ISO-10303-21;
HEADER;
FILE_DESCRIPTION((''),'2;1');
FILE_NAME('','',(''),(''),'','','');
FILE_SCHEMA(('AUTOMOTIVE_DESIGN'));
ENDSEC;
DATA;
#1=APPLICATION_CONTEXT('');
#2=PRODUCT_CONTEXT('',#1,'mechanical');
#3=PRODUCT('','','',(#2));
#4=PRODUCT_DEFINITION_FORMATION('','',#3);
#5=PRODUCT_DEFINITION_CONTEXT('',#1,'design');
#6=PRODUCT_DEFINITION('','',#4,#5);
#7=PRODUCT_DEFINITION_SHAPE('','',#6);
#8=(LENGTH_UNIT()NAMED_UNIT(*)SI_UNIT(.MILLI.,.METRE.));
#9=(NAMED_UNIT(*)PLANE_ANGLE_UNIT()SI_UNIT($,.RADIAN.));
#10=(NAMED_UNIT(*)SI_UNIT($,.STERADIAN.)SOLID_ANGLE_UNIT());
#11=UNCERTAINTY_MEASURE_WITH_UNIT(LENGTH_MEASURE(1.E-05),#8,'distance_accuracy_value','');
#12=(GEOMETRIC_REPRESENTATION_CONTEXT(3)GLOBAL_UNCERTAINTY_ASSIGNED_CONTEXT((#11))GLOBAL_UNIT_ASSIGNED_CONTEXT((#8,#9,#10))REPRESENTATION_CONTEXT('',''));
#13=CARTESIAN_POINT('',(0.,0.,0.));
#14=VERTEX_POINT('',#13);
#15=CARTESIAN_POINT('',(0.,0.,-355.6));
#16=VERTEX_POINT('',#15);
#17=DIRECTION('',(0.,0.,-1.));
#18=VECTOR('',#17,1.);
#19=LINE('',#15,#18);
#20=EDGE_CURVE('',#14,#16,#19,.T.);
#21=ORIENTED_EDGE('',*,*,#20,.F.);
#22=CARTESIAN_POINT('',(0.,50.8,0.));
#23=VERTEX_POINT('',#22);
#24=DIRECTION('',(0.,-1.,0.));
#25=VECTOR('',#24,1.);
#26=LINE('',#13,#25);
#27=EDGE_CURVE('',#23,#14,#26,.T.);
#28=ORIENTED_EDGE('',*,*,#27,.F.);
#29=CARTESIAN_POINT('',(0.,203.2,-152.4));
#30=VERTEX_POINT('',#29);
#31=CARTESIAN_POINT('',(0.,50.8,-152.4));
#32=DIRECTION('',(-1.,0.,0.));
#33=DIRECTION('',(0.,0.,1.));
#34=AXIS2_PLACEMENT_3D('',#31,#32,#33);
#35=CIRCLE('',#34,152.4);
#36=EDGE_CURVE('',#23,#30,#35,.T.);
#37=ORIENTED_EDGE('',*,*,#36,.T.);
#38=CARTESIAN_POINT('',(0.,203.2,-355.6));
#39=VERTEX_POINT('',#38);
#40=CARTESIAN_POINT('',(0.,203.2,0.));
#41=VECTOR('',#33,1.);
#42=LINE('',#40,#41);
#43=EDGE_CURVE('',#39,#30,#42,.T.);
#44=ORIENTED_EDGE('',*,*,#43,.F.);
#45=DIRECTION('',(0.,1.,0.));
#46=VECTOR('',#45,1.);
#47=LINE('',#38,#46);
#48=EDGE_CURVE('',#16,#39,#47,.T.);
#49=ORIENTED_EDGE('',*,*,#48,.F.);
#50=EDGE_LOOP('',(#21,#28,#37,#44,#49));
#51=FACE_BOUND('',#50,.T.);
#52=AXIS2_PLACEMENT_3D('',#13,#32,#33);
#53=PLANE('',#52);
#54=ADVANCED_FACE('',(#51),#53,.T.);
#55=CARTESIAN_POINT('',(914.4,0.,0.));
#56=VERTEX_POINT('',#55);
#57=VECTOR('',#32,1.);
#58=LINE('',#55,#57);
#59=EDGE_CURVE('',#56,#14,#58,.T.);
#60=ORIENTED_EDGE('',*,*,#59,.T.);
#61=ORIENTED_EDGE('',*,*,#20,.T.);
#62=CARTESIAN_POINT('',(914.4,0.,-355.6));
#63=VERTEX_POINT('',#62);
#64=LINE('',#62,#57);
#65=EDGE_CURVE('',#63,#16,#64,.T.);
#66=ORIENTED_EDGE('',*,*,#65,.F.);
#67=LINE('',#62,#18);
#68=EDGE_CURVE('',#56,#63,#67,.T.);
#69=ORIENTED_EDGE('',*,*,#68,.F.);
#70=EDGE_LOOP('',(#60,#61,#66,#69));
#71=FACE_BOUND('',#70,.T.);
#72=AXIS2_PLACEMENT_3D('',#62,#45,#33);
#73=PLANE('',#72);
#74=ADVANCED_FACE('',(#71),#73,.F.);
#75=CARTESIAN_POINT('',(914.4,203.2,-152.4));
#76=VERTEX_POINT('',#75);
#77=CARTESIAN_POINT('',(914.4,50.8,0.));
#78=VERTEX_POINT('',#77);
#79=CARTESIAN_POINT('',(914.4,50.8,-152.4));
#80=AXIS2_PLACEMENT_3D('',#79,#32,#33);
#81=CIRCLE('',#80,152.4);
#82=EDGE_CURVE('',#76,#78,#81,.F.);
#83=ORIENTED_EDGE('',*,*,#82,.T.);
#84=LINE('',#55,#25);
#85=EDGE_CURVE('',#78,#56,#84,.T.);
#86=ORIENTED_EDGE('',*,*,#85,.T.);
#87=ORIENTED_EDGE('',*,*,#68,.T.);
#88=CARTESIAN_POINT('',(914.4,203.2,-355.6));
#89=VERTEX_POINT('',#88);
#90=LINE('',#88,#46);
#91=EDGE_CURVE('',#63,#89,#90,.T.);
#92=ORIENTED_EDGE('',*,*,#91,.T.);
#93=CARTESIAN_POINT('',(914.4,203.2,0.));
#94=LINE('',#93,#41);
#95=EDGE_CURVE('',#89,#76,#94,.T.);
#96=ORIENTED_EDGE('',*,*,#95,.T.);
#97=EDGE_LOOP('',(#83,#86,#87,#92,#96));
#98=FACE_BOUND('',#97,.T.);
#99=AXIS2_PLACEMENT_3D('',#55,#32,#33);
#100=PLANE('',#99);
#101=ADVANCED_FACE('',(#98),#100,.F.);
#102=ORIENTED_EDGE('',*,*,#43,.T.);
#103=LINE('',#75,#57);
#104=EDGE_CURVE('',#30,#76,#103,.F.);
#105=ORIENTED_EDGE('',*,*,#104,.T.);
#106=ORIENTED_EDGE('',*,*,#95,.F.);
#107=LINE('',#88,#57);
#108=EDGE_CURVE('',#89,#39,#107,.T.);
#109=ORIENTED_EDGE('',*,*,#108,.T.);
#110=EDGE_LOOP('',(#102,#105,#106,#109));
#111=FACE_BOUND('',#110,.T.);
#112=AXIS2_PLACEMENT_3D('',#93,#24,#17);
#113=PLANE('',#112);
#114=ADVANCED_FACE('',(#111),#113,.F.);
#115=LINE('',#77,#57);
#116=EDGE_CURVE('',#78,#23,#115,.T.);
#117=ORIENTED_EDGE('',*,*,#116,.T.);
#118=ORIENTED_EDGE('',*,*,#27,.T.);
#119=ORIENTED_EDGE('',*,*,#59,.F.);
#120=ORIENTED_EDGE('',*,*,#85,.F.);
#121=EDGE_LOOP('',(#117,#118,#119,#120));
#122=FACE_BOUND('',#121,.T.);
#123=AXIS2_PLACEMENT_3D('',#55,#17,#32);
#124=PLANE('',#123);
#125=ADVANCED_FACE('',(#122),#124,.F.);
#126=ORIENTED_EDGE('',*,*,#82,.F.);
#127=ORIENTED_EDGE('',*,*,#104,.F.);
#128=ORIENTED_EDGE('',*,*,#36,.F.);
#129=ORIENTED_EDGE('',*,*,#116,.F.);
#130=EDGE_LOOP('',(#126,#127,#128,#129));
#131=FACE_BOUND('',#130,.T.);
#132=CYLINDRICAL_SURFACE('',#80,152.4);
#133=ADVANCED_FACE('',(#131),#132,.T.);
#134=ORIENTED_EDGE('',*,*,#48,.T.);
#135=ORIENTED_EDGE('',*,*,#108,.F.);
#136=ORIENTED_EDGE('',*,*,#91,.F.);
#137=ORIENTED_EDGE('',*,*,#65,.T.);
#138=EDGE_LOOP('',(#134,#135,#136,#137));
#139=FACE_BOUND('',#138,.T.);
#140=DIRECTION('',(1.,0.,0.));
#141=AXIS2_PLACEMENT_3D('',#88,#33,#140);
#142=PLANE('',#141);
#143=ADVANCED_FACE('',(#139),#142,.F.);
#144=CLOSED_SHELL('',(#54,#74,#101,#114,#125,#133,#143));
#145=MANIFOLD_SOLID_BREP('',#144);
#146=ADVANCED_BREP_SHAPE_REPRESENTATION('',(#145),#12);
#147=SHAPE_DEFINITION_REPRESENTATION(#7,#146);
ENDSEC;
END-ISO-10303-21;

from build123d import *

# Parameters (mm, degrees)
SKETCH1_W           = 355.6
SKETCH1_H           = 203.2
BOSS_EXTRUDE1_DEPTH = 914.4
FILLET1_R           = 152.4


with BuildPart() as part:
    # Sketch1 → Boss-Extrude1 (new body)
    with BuildSketch(Plane(origin=(0, 0, 0), x_dir=(0, 0, -1), z_dir=(1, 0, 0))):
        with Locations((177.8, 101.6)):
            Rectangle(SKETCH1_W, SKETCH1_H)
    extrude(amount=BOSS_EXTRUDE1_DEPTH)

    # Fillet1
    fillet1_edges = [part.edges().sort_by_distance(p)[0] for p in [
        (457.2, 203.2, 0),
    ]]
    fillet(fillet1_edges, radius=FILLET1_R)


solid = part.part
